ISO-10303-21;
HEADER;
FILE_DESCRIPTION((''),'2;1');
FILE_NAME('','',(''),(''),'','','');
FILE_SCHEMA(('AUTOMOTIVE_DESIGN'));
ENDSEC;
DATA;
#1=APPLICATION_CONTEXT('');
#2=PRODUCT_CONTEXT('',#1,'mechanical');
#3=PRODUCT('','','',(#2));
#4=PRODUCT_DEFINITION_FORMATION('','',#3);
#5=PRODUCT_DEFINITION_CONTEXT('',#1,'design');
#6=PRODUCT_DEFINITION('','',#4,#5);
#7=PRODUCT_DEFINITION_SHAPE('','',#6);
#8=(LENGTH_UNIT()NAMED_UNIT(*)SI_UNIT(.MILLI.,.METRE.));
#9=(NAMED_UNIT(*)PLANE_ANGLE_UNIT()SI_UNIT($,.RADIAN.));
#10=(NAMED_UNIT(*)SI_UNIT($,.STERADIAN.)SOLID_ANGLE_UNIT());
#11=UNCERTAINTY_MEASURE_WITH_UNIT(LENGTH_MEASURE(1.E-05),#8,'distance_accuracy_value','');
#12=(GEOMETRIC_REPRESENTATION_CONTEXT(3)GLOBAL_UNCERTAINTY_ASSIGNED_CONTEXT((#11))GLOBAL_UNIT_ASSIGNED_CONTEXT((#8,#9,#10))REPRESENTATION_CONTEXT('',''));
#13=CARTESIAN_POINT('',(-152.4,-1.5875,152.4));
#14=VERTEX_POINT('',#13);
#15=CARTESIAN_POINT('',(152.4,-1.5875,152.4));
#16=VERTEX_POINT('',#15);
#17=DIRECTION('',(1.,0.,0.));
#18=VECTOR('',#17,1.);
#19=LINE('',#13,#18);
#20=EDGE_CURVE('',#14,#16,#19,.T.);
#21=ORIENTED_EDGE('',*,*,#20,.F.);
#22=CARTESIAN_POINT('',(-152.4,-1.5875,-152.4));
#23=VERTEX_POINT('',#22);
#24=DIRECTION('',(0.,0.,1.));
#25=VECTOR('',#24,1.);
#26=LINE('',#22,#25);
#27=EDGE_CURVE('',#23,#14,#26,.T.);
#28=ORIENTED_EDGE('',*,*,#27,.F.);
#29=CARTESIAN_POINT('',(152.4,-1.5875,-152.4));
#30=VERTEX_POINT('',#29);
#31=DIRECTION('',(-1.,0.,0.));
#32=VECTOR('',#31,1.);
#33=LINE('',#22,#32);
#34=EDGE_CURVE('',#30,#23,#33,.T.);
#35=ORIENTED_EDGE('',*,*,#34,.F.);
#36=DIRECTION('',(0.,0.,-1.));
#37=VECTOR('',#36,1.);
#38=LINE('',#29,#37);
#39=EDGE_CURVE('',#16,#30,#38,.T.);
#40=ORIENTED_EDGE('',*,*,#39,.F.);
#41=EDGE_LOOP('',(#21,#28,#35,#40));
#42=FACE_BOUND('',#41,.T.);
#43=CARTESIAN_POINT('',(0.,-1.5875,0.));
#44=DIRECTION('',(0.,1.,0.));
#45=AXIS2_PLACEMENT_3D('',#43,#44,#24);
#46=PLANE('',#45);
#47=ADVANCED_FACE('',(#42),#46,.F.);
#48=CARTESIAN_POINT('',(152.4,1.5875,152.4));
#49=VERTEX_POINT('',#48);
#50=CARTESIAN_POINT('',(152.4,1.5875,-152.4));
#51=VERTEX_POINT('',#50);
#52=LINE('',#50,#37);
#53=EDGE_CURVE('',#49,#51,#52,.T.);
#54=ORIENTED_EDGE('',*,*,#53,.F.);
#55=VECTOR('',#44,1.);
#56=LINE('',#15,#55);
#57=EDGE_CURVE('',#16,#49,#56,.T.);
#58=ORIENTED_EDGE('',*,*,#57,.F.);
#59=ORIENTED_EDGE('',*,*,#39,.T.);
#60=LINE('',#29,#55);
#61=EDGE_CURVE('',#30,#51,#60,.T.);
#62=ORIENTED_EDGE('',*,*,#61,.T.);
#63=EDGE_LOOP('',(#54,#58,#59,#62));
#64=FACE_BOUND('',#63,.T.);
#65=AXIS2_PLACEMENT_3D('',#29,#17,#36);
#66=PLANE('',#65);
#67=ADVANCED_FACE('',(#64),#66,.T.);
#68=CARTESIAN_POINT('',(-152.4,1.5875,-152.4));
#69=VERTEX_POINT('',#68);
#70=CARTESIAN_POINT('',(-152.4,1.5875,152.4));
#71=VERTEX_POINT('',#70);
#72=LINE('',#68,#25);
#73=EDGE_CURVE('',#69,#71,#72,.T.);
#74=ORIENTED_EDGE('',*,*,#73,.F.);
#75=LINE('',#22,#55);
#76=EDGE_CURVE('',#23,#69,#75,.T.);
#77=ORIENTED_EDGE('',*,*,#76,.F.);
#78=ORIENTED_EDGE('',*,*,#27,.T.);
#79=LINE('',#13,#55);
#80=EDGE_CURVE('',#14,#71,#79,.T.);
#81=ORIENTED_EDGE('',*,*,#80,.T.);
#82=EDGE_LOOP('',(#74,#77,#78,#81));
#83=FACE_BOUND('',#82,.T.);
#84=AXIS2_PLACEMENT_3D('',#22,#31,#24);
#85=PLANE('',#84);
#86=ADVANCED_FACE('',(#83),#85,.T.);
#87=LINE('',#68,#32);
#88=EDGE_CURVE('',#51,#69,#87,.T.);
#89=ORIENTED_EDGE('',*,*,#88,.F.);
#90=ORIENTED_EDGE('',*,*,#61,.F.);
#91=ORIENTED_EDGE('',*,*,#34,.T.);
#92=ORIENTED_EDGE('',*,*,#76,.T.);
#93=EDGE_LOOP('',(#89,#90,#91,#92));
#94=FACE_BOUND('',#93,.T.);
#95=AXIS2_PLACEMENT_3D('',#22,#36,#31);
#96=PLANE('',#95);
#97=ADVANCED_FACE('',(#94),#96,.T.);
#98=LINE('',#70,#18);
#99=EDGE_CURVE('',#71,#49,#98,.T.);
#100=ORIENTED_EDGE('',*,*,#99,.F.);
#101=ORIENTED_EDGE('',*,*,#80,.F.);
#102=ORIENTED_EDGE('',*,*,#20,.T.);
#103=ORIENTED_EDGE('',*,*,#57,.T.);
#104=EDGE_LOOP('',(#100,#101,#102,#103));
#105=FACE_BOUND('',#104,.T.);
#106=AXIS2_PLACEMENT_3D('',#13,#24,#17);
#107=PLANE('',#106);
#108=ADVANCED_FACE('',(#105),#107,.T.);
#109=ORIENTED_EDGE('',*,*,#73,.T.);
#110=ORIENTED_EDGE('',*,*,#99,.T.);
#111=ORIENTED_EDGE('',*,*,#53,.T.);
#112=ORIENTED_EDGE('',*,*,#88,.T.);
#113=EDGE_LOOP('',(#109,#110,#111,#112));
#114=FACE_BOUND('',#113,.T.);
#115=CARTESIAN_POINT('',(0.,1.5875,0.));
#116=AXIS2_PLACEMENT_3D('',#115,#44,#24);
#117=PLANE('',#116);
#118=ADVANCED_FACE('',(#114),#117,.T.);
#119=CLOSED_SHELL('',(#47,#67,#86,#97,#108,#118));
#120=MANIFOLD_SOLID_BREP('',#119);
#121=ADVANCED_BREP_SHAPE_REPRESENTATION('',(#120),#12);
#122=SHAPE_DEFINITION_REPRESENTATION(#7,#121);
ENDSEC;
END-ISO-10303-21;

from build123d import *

# Parameters (mm, degrees)
SKETCH3_W                = 304.8
SKETCH3_H                = 304.8
BOSS_EXTRUDE1_DEPTH      = 1.5875
BOSS_EXTRUDE1_DEPTH_BACK = 1.5875


with BuildPart() as part:
    # Sketch3 → Boss-Extrude1 (new body, two sides)
    with BuildSketch(Plane(origin=(0, 0, 0), x_dir=(1, 0, 0), z_dir=(0, 1, 0))) as boss_extrude1_sk:
        Rectangle(SKETCH3_W, SKETCH3_H)
    extrude(amount=BOSS_EXTRUDE1_DEPTH)
    extrude(boss_extrude1_sk.sketch, amount=-BOSS_EXTRUDE1_DEPTH_BACK)


solid = part.part
